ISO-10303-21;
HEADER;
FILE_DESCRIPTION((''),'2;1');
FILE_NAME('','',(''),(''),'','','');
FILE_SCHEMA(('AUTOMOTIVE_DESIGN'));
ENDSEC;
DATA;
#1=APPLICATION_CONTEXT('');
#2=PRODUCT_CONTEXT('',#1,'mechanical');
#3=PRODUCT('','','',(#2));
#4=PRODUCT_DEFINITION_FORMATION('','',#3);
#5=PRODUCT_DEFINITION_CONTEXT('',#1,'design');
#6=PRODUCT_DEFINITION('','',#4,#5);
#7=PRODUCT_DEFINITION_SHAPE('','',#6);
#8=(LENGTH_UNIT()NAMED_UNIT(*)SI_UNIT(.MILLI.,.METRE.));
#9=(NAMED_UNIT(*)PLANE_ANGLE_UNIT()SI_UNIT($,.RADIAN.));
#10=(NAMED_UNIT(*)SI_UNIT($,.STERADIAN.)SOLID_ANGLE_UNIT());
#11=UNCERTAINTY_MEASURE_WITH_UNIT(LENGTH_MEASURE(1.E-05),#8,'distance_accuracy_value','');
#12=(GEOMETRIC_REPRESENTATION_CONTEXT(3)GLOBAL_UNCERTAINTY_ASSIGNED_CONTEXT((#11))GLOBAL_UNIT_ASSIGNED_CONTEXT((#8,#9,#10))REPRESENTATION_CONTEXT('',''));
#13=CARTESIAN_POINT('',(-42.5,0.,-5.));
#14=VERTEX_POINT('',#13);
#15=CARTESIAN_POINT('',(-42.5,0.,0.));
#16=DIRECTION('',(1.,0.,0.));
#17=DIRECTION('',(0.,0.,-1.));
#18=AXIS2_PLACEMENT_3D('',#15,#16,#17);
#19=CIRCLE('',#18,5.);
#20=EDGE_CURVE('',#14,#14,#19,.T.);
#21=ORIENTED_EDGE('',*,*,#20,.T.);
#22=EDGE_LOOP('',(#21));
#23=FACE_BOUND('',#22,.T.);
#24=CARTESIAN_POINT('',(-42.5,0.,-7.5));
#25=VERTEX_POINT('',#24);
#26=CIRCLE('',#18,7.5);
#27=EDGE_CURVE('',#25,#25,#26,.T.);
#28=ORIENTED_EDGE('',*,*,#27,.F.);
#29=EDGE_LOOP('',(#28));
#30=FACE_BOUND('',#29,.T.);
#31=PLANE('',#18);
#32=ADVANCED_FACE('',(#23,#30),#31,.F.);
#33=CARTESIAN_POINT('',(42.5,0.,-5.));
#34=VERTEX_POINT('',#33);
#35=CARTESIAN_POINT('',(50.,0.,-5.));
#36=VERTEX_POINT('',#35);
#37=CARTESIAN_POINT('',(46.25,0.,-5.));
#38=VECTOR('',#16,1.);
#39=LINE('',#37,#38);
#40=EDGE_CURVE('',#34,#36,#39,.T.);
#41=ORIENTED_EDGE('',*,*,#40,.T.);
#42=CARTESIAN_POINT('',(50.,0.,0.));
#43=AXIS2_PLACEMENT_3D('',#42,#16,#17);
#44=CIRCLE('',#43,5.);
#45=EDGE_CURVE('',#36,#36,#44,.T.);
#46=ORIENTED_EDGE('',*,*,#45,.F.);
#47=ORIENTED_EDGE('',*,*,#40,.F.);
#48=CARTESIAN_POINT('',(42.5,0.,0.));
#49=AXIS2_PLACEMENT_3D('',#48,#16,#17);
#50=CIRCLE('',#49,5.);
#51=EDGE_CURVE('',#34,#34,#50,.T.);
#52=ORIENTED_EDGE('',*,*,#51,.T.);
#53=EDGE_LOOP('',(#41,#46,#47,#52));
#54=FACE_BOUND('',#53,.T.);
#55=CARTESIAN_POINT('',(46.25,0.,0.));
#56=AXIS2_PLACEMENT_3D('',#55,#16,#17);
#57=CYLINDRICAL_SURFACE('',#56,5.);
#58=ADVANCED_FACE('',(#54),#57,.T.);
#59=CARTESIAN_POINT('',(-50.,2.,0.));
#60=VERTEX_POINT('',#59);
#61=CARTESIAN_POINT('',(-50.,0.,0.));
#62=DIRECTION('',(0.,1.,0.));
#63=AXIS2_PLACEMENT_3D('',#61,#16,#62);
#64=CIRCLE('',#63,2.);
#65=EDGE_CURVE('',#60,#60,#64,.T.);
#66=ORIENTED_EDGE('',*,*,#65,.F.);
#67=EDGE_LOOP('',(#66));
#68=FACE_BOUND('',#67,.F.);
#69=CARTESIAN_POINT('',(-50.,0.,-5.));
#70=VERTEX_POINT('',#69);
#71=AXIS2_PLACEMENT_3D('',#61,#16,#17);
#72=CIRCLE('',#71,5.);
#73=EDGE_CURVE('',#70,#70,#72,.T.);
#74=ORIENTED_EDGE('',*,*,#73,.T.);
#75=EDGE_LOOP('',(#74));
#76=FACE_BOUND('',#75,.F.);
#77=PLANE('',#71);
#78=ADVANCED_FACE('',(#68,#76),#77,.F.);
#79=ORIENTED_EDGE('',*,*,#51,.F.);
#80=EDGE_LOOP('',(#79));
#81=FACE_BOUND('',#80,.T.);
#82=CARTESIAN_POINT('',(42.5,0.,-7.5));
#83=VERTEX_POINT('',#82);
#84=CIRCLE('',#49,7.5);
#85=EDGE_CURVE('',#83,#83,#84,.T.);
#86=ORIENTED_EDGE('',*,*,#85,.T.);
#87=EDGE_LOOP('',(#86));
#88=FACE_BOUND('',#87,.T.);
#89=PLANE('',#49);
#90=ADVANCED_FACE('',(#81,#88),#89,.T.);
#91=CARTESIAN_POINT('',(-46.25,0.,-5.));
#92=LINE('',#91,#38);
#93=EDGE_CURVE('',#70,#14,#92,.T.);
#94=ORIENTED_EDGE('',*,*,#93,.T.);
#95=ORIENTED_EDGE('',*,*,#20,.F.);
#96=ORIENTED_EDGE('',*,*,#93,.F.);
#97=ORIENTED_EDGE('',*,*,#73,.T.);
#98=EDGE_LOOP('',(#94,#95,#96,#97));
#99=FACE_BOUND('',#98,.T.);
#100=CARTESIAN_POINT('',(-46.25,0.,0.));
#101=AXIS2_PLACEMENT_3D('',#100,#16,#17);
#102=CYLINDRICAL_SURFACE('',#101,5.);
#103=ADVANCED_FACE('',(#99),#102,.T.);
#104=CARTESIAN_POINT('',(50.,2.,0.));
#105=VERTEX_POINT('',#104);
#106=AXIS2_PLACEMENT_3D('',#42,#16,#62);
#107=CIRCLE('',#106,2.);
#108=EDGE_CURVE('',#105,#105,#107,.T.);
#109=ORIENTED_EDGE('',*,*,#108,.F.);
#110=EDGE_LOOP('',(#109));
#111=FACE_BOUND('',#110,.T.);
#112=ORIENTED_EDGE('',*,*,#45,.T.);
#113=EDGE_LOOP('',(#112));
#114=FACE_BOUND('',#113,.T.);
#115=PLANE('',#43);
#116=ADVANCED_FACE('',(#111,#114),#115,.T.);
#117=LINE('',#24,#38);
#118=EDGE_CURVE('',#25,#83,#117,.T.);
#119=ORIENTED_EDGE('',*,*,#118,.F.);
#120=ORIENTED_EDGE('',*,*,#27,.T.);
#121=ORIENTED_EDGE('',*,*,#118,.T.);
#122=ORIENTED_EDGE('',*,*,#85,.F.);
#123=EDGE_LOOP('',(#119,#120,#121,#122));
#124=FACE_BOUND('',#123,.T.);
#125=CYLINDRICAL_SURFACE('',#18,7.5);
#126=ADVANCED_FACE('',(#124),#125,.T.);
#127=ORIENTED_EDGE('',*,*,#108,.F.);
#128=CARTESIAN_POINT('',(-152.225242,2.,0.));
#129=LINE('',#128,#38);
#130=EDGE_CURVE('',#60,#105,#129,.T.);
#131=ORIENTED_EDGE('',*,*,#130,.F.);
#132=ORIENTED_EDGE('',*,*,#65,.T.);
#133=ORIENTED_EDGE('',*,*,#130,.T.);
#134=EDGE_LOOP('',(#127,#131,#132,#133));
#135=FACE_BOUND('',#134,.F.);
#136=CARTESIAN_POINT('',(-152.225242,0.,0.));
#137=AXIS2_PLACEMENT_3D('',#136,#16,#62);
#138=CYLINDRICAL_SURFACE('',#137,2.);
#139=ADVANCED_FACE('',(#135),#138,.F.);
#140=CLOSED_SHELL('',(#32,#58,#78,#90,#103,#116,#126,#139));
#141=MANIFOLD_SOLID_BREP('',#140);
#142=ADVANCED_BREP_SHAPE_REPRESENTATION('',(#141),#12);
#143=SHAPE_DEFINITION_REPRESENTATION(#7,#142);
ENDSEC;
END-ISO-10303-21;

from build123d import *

# Parameters (mm, degrees)
F0_W = 7.5
F0_H = 5
F3_D = 4


with BuildPart() as f1:
    # F0 (on Front) → F1 (revolve)
    with BuildSketch(Plane.XZ):
        with Locations((-46.25, -2.5)):
            Rectangle(F0_W, F0_H)
        Polygon((-42.5, -5), (-42.5, -7.5), (42.5, -7.5), (42.5, -5), (42.5, 0), (-42.5, 0), align=None)
        with Locations((46.25, -2.5)):
            Rectangle(F0_W, F0_H)
    revolve(axis=Axis((0, 0, 0), (1, 0, 0)))

    # F3 (through all)
    with Locations(Plane(origin=(-50, 0, 0), x_dir=(0, -1, 0), z_dir=(-1, 0, 0))):
        with Locations((0, 0)):
            Hole(F3_D / 2)


solid = f1.part
